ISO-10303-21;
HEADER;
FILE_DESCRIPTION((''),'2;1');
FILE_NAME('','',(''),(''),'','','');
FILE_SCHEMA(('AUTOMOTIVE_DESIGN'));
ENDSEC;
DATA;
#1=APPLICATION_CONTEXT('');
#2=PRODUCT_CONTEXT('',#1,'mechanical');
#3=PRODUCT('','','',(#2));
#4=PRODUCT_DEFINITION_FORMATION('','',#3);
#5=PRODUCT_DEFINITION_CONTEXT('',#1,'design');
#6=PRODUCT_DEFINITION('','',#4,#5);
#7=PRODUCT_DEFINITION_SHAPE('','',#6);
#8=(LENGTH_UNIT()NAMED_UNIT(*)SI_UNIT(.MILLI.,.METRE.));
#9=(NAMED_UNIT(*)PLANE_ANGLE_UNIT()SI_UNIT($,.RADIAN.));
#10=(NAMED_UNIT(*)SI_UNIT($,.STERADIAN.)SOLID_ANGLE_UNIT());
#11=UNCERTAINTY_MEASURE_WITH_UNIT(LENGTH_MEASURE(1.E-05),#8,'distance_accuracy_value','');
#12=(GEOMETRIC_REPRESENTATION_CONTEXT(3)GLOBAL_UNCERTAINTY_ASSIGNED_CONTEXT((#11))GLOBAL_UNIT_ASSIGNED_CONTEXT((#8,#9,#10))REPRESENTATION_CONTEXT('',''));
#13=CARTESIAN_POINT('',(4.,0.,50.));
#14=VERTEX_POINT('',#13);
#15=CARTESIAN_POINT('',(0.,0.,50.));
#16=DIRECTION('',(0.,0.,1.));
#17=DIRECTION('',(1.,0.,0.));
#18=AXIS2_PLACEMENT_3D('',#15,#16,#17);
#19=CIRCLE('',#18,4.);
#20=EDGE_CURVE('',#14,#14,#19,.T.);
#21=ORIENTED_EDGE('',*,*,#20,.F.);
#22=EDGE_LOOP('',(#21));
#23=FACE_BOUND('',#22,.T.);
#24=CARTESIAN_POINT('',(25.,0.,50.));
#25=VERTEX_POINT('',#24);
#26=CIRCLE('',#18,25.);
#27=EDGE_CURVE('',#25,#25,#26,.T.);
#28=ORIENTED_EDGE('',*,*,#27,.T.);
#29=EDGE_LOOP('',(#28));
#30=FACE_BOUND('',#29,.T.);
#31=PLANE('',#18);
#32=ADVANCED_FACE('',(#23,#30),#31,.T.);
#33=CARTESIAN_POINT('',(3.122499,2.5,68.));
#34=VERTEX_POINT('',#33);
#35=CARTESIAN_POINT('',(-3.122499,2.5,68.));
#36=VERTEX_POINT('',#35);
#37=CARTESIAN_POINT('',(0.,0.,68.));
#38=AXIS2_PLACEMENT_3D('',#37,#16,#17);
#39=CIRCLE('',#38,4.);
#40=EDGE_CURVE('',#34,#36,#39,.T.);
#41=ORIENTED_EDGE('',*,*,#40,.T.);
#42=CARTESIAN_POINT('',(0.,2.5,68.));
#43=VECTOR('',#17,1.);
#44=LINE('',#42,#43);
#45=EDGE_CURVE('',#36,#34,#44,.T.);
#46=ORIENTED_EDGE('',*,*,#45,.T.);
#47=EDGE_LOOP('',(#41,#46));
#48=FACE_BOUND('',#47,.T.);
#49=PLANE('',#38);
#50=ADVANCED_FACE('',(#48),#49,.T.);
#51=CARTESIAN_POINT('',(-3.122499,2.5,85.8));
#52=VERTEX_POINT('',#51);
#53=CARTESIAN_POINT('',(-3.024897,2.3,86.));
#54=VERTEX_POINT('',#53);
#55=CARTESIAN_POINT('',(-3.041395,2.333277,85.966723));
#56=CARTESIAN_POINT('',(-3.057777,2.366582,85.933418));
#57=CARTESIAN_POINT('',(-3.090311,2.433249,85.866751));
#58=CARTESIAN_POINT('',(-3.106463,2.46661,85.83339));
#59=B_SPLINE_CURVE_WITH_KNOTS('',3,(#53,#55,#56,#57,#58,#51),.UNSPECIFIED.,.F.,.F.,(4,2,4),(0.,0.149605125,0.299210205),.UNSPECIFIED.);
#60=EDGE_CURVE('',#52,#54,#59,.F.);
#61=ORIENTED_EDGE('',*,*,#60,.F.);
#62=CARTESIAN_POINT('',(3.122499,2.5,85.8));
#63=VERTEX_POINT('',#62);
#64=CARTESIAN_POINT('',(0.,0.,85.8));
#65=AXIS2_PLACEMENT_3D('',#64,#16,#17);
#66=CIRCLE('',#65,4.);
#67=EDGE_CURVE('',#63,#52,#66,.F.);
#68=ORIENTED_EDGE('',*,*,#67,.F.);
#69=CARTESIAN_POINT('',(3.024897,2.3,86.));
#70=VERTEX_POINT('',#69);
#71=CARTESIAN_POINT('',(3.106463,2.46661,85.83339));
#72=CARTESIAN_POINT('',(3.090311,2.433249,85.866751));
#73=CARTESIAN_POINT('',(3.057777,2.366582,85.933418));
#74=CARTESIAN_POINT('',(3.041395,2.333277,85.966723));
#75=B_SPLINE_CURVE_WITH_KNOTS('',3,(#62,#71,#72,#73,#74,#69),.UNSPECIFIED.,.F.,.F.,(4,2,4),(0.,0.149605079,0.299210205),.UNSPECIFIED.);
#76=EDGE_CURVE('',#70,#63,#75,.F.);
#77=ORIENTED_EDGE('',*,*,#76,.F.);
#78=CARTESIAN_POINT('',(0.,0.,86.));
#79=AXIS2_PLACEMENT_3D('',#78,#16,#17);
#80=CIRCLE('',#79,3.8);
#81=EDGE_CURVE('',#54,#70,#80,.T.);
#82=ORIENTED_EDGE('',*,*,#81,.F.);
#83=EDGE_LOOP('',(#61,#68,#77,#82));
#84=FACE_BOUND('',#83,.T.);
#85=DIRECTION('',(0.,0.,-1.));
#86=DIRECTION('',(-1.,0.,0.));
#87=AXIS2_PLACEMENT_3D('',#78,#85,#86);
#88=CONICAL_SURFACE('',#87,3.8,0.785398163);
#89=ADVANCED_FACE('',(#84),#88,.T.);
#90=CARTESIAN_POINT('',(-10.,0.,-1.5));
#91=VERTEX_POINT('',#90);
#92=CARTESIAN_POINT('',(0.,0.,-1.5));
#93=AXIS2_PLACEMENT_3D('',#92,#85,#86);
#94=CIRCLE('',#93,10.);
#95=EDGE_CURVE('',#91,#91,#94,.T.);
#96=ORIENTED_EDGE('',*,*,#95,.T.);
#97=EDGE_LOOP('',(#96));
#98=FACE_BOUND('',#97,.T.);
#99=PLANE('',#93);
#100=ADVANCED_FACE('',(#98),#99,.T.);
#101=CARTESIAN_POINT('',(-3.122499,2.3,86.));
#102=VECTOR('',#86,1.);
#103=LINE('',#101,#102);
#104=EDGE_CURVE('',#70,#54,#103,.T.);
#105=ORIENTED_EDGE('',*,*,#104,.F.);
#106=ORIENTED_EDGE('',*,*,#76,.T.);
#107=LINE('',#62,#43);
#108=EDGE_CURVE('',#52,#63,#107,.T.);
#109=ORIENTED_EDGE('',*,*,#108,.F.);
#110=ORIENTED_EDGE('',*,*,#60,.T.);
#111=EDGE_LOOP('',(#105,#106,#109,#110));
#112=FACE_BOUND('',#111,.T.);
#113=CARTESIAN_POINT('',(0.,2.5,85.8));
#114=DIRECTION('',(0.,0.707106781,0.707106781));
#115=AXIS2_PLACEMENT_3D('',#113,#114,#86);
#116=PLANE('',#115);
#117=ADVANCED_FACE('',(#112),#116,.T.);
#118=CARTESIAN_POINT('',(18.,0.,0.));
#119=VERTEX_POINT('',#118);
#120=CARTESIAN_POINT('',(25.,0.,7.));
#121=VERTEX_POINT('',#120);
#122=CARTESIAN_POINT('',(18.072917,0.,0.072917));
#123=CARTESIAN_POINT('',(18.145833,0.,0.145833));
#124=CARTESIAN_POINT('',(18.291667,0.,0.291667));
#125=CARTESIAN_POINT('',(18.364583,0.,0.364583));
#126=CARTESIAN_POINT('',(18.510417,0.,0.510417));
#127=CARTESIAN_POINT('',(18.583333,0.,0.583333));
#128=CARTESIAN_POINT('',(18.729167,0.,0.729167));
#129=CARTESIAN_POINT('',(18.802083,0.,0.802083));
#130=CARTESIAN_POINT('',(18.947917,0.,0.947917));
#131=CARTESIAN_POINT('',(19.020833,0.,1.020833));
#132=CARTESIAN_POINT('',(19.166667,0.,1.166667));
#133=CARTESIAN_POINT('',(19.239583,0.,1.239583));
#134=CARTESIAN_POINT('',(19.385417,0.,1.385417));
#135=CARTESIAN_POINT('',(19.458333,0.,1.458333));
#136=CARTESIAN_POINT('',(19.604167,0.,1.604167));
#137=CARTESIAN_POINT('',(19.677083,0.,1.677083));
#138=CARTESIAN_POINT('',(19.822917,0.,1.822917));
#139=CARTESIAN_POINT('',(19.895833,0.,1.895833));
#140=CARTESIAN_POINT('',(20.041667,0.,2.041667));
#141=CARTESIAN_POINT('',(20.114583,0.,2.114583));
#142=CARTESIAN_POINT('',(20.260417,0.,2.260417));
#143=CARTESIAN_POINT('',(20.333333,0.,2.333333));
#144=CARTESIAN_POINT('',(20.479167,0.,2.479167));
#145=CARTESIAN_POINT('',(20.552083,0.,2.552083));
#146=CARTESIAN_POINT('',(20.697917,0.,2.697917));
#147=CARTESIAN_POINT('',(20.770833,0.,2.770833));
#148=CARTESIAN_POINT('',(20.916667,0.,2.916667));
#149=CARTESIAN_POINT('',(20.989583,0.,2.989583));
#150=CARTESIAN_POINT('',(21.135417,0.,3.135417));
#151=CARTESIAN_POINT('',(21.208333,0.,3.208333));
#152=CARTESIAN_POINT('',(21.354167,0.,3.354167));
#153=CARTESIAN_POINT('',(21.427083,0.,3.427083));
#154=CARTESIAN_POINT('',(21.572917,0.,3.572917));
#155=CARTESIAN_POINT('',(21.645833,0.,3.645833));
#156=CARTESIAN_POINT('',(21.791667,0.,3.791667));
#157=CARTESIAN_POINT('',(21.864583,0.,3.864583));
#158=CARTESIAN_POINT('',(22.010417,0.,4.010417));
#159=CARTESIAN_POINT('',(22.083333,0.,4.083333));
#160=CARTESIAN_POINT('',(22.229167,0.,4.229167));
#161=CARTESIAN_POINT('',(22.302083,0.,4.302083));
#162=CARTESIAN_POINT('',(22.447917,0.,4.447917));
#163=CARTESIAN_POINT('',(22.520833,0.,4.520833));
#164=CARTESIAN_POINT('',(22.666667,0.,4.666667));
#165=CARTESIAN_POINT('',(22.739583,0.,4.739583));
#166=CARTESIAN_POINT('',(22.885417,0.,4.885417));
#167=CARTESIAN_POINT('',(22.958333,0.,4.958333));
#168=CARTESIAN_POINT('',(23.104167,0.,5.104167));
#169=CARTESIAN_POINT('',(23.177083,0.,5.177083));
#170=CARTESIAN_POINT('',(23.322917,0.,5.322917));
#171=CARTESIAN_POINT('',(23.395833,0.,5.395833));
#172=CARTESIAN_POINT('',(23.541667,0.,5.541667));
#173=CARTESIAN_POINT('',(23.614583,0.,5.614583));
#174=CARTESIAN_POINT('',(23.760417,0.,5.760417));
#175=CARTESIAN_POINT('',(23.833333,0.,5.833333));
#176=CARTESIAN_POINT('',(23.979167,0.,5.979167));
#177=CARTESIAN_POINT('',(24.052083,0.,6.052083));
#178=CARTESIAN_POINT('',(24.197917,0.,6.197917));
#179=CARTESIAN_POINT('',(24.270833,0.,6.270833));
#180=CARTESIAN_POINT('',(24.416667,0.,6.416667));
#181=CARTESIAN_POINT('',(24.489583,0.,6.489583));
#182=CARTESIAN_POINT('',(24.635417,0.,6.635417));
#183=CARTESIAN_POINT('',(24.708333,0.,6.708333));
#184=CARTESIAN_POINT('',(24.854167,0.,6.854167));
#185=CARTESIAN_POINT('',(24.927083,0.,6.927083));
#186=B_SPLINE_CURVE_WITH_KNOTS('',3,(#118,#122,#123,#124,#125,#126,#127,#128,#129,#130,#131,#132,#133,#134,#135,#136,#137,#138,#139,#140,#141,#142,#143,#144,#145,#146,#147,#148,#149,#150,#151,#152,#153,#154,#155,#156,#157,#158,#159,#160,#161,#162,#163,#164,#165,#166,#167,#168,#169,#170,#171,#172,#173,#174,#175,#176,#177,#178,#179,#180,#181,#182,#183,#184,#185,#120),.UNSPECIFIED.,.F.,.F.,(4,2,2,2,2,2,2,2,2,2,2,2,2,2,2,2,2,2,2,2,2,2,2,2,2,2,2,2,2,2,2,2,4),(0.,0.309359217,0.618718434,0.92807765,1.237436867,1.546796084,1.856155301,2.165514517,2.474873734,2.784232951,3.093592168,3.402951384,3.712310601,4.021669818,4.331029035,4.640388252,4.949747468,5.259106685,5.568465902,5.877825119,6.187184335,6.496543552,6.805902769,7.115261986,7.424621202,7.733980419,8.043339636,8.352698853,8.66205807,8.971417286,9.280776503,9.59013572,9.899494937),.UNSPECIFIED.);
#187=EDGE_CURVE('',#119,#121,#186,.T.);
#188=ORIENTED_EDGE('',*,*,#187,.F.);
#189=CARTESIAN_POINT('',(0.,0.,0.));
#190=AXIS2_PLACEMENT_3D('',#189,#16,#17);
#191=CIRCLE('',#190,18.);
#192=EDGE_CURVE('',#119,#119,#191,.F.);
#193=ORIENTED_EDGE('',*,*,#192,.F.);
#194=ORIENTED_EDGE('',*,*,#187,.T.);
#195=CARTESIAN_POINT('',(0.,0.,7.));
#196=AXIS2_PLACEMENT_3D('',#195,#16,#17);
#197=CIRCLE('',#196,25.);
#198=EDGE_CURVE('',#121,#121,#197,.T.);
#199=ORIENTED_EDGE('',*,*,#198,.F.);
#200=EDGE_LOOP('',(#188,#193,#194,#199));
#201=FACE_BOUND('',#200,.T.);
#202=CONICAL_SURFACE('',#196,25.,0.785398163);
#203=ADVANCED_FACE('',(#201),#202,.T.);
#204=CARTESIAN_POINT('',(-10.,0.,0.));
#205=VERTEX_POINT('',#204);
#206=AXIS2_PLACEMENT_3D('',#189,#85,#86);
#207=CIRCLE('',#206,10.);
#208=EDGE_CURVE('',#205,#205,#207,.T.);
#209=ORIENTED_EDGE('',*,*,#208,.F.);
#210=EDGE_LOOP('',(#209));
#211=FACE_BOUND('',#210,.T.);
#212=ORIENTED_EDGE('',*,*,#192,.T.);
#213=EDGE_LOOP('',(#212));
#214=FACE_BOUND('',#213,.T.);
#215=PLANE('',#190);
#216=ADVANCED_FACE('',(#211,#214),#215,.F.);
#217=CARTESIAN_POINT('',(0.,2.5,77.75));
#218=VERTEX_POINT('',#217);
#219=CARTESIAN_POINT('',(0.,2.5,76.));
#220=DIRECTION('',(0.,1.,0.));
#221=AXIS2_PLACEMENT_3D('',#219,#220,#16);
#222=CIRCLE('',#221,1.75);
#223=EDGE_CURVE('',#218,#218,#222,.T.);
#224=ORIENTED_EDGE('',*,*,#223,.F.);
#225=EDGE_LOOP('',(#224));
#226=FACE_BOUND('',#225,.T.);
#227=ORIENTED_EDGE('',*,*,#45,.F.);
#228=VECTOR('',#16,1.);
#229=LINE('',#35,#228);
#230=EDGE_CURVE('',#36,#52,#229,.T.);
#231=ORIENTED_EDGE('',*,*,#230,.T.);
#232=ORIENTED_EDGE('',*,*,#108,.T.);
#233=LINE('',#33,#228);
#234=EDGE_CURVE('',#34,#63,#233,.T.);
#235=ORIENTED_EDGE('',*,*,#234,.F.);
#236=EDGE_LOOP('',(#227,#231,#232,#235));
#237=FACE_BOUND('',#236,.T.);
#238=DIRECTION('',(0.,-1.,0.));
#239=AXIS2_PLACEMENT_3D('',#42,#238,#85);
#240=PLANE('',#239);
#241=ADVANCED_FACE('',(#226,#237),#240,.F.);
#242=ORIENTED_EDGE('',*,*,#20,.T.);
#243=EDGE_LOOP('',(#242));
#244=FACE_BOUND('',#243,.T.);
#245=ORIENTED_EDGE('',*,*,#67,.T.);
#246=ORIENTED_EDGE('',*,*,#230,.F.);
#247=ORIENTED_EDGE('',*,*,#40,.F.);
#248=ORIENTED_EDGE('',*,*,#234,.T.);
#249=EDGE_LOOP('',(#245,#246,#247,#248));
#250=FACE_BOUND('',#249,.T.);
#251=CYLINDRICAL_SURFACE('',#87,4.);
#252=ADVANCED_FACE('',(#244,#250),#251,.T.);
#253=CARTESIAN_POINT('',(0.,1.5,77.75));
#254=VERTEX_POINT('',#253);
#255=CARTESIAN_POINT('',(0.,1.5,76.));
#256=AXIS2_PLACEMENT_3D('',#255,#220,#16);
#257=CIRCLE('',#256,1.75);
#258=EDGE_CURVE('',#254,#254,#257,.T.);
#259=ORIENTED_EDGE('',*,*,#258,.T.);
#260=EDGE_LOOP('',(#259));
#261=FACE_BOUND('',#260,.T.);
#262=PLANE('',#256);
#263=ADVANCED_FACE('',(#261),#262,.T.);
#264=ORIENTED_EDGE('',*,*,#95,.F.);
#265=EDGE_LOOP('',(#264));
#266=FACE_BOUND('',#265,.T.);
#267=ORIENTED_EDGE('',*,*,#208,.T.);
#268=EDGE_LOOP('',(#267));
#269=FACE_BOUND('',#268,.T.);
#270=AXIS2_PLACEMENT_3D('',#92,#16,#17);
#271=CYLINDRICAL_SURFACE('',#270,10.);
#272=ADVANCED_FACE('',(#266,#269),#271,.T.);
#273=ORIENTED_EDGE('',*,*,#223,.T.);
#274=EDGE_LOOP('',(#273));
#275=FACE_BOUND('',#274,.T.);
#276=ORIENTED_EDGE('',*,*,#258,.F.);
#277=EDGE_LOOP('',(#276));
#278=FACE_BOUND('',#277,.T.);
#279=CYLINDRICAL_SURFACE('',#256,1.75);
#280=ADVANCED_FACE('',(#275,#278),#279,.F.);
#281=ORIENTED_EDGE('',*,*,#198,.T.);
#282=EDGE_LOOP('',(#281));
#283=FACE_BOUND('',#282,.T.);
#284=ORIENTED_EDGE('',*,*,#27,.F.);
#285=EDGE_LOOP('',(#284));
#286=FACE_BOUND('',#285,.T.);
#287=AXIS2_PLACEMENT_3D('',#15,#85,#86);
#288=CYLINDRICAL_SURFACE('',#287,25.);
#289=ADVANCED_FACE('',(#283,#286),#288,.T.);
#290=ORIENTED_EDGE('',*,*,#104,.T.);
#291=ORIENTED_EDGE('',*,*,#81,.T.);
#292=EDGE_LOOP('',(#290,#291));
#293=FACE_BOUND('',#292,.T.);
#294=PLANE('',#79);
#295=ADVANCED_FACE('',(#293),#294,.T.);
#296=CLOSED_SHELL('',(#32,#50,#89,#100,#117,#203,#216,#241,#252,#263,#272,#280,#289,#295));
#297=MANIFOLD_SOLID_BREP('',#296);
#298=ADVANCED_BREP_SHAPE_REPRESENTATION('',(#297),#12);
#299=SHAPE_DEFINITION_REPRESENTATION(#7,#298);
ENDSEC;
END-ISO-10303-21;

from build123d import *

# Parameters (mm, degrees)
SKETCH_1_R          = 25
EXTRUDE_1_DEPTH     = 50
CHAMFER_1_SIZE      = 7
SKETCH_2_R          = 10
EXTRUDE_2_DEPTH     = 1.5
SKETCH_3_R          = 4
EXTRUDE_3_DEPTH     = 36
CUT_EXTRUDE_1_DEPTH = 18
SKETCH_5_R          = 1.75
CUT_EXTRUDE_2_DEPTH = 1
CHAMFER_2_SIZE      = 0.2


with BuildPart() as part:
    # 草图1 → 凸台-拉伸1 (new body)
    with BuildSketch(Plane.XY):
        Circle(SKETCH_1_R)
    extrude(amount=EXTRUDE_1_DEPTH)

    # 倒角1
    chamfer_1_edges = [part.edges().sort_by_distance(p)[0] for p in [
        (-25, 0, 0),
    ]]
    chamfer(chamfer_1_edges, length=CHAMFER_1_SIZE)

    # 草图2 → 凸台-拉伸2 (add)
    with BuildSketch(Plane(origin=(0, 0, 0), x_dir=(-1, 0, 0), z_dir=(0, 0, -1))):
        Circle(SKETCH_2_R)
    extrude(amount=EXTRUDE_2_DEPTH)

    # 草图3 → 凸台-拉伸3 (add)
    with BuildSketch(Plane.XY.offset(50)):
        Circle(SKETCH_3_R)
    extrude(amount=EXTRUDE_3_DEPTH)

    # 草图4 → 切除-拉伸1 (cut)
    with BuildSketch(Plane.XY.offset(86)):
        Polygon((-91.7895175, 2.5), (-3.122498999, 2.5), (3.122498999, 2.5), (91.7895175, 2.5), (91.7895175, 179.834037002), (-91.7895175, 179.834037002), align=None)
    extrude(amount=-CUT_EXTRUDE_1_DEPTH, mode=Mode.SUBTRACT)

    # 草图5 → 切除-拉伸2 (cut)
    with BuildSketch(Plane(origin=(0, 2.5, 0), x_dir=(1, 0, 0), z_dir=(0, 1, 0))):
        with Locations(Location((0, -76, 0), (0, 0, 270))):
            Circle(SKETCH_5_R)
    extrude(amount=-CUT_EXTRUDE_2_DEPTH, mode=Mode.SUBTRACT)

    # 倒角2
    chamfer_2_edges = [part.edges().sort_by_distance(p)[0] for p in [
        (-1.324764885, -3.774254628, 86),
        (0, 2.5, 86),
    ]]
    chamfer(chamfer_2_edges, length=CHAMFER_2_SIZE)


solid = part.part
